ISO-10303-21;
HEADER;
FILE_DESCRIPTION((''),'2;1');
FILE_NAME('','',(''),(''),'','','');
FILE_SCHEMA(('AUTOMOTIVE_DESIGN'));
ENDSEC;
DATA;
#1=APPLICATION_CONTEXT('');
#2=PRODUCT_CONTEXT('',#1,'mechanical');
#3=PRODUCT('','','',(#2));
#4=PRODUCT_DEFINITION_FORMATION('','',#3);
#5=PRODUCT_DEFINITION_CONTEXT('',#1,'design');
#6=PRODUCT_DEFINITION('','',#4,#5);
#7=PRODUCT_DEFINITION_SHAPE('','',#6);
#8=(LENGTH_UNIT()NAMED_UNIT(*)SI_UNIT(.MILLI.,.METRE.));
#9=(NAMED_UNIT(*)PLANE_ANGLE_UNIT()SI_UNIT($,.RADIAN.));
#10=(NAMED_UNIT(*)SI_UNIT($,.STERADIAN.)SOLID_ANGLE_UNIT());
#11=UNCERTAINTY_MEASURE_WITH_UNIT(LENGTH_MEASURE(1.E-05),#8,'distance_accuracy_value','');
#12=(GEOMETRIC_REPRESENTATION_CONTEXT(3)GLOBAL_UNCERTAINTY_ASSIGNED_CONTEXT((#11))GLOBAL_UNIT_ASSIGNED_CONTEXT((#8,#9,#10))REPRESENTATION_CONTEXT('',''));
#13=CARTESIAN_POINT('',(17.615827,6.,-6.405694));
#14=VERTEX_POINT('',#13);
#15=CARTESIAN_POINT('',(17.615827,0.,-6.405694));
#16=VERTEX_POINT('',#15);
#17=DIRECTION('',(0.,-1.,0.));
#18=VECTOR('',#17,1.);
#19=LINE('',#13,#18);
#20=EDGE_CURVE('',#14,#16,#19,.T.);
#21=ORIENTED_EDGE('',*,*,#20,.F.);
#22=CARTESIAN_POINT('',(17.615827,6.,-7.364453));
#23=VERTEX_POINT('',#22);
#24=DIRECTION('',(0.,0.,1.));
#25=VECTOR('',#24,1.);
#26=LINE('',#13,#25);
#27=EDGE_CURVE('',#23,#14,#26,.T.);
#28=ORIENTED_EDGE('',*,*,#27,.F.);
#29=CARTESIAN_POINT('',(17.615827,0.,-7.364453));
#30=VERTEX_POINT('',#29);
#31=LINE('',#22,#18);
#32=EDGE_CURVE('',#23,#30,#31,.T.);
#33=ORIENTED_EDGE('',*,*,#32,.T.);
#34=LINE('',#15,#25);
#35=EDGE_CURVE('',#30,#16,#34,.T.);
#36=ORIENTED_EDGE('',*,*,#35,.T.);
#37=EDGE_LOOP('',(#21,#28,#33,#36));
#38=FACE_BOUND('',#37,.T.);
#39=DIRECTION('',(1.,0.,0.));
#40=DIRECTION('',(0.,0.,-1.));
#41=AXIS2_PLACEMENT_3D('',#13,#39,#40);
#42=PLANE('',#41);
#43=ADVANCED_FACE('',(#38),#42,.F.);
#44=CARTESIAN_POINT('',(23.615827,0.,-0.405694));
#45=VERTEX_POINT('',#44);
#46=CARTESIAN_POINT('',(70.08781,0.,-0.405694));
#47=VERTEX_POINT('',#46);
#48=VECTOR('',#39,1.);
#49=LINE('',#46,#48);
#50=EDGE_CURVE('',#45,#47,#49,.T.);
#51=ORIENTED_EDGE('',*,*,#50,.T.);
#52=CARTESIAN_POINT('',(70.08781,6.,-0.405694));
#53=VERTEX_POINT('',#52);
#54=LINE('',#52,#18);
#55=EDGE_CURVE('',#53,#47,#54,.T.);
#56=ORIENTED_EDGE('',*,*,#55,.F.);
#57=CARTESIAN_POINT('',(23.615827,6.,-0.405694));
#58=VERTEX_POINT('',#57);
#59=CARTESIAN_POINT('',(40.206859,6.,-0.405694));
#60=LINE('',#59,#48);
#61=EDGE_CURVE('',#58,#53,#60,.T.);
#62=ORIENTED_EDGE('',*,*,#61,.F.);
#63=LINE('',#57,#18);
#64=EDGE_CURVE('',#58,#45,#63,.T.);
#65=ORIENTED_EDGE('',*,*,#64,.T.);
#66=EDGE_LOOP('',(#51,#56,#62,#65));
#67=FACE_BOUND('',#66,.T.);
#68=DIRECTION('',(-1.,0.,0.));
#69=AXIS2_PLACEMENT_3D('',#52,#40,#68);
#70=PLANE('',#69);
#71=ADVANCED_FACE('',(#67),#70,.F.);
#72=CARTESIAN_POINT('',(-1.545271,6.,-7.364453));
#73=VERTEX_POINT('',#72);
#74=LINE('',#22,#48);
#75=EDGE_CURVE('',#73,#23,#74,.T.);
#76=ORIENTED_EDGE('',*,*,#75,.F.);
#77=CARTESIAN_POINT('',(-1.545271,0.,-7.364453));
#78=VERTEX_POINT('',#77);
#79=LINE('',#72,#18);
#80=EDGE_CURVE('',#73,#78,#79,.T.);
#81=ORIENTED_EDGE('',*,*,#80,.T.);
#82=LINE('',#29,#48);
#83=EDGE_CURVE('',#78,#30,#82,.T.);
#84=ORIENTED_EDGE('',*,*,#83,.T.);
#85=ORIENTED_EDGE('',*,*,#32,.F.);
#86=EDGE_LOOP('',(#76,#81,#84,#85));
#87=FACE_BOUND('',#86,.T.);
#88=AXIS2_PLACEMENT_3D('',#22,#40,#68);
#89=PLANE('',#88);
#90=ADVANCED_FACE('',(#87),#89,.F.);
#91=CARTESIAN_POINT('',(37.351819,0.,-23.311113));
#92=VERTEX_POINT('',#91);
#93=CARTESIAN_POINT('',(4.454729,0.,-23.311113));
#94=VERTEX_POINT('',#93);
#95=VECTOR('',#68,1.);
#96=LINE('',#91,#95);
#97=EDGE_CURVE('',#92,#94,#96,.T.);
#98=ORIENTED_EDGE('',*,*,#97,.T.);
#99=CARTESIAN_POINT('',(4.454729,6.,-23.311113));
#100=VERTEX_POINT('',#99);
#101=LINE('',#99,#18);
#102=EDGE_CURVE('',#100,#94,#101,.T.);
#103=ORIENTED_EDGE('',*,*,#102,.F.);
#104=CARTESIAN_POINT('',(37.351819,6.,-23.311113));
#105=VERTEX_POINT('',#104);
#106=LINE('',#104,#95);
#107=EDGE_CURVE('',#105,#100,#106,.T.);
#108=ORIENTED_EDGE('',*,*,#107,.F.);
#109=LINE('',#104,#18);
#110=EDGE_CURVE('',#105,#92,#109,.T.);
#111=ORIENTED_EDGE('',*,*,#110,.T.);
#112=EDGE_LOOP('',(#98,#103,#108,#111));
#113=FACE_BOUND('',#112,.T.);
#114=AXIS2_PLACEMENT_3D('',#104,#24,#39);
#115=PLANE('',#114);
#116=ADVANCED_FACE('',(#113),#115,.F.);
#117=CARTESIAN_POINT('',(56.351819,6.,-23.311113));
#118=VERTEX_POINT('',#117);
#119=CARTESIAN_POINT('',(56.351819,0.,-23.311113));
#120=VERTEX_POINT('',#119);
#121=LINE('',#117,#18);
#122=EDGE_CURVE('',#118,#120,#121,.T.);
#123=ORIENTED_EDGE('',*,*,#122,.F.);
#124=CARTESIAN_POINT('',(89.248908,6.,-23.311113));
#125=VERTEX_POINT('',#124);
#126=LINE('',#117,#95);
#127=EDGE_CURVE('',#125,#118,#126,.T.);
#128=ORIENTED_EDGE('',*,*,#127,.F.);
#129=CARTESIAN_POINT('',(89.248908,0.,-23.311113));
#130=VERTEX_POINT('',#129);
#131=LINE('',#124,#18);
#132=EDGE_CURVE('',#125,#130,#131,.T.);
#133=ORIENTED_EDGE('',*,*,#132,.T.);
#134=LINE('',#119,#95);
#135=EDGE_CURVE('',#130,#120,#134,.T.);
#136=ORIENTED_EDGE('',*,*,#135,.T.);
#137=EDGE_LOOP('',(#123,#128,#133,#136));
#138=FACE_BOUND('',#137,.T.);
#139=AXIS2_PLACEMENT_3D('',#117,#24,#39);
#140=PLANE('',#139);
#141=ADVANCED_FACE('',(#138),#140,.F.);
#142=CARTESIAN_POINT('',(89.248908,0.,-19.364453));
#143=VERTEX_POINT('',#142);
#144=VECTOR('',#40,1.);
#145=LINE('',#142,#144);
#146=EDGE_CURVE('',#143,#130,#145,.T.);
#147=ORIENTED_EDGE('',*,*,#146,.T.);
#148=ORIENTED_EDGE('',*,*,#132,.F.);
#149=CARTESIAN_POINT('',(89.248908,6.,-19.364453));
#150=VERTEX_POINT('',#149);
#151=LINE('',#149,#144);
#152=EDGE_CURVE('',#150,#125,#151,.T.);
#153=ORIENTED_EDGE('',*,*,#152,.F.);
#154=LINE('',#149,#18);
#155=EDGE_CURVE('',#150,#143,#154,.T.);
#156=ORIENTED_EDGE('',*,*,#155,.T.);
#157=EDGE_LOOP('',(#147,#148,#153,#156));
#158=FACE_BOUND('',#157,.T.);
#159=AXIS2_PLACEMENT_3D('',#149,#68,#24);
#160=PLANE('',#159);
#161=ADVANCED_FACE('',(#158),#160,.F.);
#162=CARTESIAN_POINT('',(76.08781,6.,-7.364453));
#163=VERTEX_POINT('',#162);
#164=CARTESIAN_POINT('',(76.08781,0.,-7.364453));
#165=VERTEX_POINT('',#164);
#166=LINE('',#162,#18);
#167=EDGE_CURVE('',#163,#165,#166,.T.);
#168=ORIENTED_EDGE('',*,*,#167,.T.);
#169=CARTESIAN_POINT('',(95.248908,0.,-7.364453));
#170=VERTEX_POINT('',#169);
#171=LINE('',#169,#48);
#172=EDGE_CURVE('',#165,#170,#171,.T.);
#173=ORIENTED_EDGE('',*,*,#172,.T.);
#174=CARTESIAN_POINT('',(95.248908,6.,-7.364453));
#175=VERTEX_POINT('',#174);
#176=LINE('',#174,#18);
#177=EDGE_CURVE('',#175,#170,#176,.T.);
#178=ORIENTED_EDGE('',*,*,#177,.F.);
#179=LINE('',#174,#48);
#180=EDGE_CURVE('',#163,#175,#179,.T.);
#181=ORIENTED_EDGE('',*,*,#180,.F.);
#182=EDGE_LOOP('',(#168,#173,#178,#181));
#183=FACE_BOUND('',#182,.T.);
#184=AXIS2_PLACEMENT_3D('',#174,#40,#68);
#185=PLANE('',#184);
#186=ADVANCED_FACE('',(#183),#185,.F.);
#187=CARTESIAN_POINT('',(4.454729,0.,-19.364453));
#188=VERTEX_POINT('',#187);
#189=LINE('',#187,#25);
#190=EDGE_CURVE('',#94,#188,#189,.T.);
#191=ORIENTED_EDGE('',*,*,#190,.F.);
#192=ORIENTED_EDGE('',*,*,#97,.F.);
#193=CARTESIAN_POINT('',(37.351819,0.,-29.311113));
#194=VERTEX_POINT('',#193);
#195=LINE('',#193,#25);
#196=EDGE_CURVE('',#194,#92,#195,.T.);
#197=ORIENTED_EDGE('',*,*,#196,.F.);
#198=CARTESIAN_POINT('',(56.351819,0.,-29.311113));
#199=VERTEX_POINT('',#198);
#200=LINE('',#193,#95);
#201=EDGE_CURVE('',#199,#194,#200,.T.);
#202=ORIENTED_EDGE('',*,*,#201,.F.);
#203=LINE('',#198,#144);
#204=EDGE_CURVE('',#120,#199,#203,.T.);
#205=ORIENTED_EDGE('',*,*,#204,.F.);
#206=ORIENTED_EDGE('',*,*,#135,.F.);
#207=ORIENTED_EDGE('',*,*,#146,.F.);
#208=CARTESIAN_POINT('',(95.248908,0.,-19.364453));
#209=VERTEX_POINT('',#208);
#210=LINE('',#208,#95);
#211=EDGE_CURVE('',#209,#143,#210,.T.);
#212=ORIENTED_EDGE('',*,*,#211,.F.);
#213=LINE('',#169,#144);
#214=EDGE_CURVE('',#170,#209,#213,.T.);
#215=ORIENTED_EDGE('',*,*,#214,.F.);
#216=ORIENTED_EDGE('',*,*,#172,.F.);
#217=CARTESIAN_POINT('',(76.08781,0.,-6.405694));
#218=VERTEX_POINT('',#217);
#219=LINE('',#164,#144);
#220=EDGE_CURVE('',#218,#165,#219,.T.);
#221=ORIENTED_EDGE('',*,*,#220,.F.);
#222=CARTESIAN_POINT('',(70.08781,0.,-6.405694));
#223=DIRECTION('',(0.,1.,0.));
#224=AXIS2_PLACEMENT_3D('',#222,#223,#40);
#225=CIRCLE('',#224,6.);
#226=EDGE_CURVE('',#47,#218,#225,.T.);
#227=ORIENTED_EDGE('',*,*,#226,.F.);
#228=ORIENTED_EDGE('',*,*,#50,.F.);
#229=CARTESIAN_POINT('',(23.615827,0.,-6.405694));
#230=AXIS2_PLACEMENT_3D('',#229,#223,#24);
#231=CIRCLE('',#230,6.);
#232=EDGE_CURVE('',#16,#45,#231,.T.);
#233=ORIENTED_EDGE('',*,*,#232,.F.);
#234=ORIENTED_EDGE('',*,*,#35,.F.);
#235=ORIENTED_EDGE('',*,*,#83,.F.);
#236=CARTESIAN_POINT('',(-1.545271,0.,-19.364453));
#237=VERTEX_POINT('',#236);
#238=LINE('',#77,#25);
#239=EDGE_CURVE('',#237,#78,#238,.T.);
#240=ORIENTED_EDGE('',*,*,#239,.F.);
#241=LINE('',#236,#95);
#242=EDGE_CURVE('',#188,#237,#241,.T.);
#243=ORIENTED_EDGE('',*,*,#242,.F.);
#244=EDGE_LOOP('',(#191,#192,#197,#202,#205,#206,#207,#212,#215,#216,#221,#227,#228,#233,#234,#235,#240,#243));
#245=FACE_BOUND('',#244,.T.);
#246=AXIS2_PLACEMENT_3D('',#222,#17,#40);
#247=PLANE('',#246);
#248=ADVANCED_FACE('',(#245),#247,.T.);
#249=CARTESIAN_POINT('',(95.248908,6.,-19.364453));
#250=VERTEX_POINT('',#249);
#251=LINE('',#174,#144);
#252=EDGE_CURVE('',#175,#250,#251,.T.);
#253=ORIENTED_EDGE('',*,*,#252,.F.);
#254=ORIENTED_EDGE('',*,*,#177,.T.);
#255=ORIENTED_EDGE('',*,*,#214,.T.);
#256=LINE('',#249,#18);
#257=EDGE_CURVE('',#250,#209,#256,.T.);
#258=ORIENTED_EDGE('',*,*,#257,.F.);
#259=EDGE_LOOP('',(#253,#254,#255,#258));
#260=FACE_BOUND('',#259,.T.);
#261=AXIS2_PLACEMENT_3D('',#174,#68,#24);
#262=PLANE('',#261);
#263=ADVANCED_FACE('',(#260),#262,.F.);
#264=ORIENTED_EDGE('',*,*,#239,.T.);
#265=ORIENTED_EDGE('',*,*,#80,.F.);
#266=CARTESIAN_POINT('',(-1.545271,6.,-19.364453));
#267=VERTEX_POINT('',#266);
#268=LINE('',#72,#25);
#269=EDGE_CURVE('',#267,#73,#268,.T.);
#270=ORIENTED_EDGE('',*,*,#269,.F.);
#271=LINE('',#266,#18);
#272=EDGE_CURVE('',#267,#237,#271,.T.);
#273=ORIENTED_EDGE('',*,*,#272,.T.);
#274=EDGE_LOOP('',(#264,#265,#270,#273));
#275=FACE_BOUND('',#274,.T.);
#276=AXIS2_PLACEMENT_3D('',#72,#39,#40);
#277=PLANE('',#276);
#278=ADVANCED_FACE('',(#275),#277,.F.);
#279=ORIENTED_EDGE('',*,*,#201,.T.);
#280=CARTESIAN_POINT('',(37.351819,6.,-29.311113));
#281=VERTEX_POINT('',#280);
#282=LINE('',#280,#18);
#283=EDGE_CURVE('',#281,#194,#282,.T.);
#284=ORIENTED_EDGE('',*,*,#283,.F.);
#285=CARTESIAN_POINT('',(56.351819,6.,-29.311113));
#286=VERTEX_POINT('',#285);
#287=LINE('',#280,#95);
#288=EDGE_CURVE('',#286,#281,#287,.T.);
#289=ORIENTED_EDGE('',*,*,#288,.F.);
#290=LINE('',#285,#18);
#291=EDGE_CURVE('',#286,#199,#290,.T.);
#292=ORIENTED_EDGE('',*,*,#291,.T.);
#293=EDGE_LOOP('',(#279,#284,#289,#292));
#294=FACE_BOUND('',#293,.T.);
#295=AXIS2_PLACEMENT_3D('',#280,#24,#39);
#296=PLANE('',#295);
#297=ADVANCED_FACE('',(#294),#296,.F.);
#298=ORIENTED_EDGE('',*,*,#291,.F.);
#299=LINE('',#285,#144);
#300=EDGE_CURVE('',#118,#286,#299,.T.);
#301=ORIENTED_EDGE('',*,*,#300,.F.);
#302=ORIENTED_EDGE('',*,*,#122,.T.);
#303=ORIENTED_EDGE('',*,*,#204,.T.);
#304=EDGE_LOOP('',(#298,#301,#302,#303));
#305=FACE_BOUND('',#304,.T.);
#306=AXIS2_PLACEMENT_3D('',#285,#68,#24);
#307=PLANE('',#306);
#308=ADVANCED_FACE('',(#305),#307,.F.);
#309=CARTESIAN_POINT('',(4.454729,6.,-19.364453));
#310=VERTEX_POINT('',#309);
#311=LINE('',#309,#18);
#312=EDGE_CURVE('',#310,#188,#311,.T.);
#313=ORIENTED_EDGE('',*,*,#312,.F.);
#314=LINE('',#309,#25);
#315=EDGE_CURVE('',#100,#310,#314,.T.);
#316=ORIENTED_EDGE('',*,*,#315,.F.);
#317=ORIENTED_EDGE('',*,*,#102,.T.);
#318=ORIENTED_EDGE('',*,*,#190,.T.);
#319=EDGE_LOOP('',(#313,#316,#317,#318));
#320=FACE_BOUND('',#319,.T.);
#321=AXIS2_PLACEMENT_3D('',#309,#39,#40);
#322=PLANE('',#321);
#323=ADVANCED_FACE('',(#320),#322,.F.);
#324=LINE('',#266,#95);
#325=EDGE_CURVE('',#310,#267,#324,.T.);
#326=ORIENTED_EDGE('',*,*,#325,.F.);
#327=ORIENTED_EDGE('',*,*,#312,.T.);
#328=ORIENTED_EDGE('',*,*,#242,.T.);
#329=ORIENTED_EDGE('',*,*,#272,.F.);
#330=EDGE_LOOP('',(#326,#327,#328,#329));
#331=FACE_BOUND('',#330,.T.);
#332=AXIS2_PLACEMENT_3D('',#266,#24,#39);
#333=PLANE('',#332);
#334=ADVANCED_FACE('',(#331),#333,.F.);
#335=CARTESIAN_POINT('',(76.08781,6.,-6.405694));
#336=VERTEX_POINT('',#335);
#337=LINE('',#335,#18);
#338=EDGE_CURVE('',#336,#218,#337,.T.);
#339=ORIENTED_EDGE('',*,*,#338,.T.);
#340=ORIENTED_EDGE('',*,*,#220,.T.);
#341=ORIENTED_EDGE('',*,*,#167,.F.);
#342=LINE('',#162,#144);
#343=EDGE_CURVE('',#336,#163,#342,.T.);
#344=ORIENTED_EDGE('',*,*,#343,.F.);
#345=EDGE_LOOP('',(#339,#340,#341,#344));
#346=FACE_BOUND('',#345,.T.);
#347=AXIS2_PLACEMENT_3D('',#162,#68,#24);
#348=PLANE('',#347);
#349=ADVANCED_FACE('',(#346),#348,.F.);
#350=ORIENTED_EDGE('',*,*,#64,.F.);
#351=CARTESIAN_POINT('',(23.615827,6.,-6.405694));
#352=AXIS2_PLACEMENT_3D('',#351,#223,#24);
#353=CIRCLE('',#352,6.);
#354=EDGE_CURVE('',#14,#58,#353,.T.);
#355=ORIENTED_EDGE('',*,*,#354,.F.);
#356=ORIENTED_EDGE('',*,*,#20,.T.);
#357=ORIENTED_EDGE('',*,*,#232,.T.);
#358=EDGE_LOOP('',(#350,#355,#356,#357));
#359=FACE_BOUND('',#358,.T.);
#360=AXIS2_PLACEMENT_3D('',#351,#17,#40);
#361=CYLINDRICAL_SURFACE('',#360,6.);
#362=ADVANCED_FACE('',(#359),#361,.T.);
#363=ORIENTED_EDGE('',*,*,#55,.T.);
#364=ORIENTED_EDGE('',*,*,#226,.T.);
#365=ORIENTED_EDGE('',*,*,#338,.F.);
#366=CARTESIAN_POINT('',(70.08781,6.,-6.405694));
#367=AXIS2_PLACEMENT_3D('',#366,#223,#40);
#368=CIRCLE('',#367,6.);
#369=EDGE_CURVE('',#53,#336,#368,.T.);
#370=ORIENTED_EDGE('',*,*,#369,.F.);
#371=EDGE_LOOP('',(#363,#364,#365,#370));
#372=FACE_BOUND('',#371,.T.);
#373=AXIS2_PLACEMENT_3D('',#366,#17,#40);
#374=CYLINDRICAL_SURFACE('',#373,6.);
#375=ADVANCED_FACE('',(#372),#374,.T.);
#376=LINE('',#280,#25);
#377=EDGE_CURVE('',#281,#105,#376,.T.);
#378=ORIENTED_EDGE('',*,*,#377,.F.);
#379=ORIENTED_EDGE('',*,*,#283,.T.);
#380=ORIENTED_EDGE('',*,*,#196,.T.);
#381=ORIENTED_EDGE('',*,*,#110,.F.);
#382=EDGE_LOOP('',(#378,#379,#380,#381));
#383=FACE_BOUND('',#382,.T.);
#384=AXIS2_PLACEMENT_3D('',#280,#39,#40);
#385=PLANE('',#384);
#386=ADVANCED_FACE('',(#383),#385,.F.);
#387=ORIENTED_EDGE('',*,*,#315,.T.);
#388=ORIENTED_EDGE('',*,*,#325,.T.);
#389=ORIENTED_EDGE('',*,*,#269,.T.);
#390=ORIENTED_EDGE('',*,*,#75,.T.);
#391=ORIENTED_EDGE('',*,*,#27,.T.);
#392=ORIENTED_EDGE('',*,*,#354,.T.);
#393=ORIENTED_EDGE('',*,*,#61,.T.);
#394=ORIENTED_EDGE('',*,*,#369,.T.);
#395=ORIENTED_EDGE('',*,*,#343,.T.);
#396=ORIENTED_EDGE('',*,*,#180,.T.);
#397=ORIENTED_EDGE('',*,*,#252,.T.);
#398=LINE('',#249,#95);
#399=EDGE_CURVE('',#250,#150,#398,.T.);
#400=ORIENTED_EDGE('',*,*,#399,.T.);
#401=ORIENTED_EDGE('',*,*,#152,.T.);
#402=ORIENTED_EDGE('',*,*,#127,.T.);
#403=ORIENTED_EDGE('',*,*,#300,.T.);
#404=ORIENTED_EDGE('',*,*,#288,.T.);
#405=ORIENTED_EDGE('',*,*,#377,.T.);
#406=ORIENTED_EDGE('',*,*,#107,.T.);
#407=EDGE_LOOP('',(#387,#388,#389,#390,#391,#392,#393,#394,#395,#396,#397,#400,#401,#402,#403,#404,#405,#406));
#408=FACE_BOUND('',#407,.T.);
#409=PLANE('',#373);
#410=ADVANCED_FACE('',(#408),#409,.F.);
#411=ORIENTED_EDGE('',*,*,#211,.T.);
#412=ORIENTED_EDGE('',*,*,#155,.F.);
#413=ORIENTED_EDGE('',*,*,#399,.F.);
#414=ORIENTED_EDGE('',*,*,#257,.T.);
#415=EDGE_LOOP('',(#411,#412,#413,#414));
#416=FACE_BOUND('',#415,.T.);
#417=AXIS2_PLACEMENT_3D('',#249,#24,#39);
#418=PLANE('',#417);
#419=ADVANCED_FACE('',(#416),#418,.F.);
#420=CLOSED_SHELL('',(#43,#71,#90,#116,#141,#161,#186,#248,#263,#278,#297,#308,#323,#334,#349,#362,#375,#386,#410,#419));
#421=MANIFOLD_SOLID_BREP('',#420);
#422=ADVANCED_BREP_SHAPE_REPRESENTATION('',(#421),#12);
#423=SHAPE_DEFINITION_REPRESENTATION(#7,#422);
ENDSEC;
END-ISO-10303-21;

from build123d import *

# Parameters (mm, degrees)
BOSS_EXTRUDE1_DEPTH = 6


with BuildPart() as part:
    # Sketch1 → Boss-Extrude1 (new body)
    with BuildSketch(Plane(origin=(0, 0, 0), x_dir=(1, 0, 0), z_dir=(0, 1, 0))):
        with BuildLine():
            Line((40.206859082, 0.405693798), (53.496778433, 0.405693798))
            Line((53.496778433, 0.405693798), (70.087810024, 0.405693798))
            ThreePointArc((70.087810024, 0.405693798), (74.330450711, 2.163053111), (76.087810024, 6.405693798))
            Line((76.087810024, 6.405693798), (76.087810024, 7.364453077))
            Line((76.087810024, 7.364453077), (95.248908352, 7.364453077))
            Line((95.248908352, 7.364453077), (95.248908352, 19.364453077))
            Line((95.248908352, 19.364453077), (89.248908352, 19.364453077))
            Line((89.248908352, 19.364453077), (89.248908352, 23.311113477))
            Line((89.248908352, 23.311113477), (56.351818757, 23.311113477))
            Line((56.351818757, 23.311113477), (56.351818757, 29.311113477))
            Line((56.351818757, 29.311113477), (37.351818757, 29.311113477))
            Line((37.351818757, 29.311113477), (37.351818757, 23.311113477))
            Line((37.351818757, 23.311113477), (4.454729162, 23.311113477))
            Line((4.454729162, 23.311113477), (4.454729162, 19.364453077))
            Line((4.454729162, 19.364453077), (-1.545270838, 19.364453077))
            Line((-1.545270838, 19.364453077), (-1.545270838, 7.364453077))
            Line((-1.545270838, 7.364453077), (17.615827491, 7.364453077))
            Line((17.615827491, 7.364453077), (17.615827491, 6.405693798))
            ThreePointArc((17.615827491, 6.405693798), (19.373186804, 2.163053111), (23.615827491, 0.405693798))
            Line((23.615827491, 0.405693798), (40.206859082, 0.405693798))
        make_face()
    extrude(amount=BOSS_EXTRUDE1_DEPTH)


solid = part.part
